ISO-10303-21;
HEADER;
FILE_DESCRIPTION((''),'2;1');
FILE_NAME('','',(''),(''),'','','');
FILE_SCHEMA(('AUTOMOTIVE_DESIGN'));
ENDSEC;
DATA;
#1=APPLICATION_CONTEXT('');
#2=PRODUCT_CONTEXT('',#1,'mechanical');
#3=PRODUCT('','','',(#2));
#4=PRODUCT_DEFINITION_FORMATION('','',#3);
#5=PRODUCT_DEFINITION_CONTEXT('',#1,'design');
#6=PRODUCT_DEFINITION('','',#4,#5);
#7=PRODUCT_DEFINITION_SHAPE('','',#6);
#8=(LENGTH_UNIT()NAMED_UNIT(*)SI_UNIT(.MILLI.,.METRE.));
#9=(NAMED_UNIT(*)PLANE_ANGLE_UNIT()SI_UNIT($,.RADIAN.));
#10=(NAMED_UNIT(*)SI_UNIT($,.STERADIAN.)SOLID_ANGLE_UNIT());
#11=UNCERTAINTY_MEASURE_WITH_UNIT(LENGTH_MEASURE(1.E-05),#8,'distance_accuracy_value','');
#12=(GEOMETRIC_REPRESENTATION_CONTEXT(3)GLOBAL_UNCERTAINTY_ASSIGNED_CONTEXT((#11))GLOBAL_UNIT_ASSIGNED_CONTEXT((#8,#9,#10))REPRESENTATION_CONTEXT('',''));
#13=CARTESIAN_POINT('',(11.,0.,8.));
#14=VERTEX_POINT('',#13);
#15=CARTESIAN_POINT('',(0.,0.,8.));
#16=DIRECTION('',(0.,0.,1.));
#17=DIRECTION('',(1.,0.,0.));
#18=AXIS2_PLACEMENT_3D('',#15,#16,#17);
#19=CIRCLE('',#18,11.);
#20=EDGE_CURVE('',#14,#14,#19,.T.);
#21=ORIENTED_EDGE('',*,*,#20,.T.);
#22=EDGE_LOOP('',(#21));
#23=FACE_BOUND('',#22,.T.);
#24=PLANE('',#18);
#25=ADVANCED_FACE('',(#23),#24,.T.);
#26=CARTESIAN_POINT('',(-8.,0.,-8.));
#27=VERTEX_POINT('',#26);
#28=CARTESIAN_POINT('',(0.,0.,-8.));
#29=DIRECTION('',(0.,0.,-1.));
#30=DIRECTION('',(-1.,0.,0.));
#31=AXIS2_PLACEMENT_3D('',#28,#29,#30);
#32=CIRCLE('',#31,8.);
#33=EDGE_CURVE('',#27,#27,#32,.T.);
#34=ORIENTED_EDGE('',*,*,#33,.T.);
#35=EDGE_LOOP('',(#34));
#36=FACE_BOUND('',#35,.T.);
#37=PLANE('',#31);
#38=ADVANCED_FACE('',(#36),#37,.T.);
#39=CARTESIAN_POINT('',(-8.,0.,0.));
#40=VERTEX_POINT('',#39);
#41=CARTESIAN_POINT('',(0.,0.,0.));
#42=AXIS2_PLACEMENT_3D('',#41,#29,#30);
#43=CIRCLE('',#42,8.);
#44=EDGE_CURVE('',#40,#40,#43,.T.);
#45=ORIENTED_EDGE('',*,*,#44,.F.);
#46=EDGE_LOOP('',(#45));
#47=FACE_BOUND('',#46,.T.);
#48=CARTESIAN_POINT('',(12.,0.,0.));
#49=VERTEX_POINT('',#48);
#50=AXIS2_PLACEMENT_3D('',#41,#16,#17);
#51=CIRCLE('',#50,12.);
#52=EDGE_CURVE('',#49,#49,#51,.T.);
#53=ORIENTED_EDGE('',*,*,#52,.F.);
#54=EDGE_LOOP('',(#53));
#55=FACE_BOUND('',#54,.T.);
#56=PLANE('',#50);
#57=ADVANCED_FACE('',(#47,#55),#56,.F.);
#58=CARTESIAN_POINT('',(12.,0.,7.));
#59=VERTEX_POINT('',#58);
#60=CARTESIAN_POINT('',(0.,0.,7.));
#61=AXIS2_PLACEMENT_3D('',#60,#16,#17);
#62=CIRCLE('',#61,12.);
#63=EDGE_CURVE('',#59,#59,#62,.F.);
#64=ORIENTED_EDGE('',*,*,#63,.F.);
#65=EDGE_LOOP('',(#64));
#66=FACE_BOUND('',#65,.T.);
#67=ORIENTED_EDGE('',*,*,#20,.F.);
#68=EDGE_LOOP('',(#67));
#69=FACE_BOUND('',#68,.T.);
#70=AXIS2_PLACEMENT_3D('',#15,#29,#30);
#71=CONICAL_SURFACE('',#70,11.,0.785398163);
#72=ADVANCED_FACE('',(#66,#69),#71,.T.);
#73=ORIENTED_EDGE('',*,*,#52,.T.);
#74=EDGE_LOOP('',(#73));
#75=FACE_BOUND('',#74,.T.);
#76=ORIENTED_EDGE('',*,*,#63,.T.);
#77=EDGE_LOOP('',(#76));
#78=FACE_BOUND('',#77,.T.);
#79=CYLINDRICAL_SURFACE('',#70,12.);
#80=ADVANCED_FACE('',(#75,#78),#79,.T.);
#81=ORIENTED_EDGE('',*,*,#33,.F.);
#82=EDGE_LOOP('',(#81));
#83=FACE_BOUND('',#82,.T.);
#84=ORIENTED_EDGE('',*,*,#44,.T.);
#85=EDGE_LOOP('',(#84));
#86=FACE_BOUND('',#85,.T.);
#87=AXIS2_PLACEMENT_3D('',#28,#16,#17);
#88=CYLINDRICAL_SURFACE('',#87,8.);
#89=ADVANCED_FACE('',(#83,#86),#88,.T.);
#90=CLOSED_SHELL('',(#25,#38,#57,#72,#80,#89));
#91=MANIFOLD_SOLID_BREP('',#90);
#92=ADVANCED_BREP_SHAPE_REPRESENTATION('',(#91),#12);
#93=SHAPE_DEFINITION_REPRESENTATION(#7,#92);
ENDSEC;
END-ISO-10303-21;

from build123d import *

# Parameters (mm, degrees)
SKETCH1_R           = 12
BOSS_EXTRUDE1_DEPTH = 8
CHAMFER1_SIZE       = 1
SKETCH2_R           = 8
BOSS_EXTRUDE2_DEPTH = 8


with BuildPart() as part:
    # Sketch1 → Boss-Extrude1 (new body)
    with BuildSketch(Plane.XY):
        Circle(SKETCH1_R)
    extrude(amount=BOSS_EXTRUDE1_DEPTH)

    # Chamfer1
    chamfer1_edges = [part.edges().sort_by_distance(p)[0] for p in [
        (-12, 0, 8),
    ]]
    chamfer(chamfer1_edges, length=CHAMFER1_SIZE)

    # Sketch2 → Boss-Extrude2 (add)
    with BuildSketch(Plane(origin=(0, 0, 0), x_dir=(-1, 0, 0), z_dir=(0, 0, -1))):
        Circle(SKETCH2_R)
    extrude(amount=BOSS_EXTRUDE2_DEPTH)


solid = part.part
